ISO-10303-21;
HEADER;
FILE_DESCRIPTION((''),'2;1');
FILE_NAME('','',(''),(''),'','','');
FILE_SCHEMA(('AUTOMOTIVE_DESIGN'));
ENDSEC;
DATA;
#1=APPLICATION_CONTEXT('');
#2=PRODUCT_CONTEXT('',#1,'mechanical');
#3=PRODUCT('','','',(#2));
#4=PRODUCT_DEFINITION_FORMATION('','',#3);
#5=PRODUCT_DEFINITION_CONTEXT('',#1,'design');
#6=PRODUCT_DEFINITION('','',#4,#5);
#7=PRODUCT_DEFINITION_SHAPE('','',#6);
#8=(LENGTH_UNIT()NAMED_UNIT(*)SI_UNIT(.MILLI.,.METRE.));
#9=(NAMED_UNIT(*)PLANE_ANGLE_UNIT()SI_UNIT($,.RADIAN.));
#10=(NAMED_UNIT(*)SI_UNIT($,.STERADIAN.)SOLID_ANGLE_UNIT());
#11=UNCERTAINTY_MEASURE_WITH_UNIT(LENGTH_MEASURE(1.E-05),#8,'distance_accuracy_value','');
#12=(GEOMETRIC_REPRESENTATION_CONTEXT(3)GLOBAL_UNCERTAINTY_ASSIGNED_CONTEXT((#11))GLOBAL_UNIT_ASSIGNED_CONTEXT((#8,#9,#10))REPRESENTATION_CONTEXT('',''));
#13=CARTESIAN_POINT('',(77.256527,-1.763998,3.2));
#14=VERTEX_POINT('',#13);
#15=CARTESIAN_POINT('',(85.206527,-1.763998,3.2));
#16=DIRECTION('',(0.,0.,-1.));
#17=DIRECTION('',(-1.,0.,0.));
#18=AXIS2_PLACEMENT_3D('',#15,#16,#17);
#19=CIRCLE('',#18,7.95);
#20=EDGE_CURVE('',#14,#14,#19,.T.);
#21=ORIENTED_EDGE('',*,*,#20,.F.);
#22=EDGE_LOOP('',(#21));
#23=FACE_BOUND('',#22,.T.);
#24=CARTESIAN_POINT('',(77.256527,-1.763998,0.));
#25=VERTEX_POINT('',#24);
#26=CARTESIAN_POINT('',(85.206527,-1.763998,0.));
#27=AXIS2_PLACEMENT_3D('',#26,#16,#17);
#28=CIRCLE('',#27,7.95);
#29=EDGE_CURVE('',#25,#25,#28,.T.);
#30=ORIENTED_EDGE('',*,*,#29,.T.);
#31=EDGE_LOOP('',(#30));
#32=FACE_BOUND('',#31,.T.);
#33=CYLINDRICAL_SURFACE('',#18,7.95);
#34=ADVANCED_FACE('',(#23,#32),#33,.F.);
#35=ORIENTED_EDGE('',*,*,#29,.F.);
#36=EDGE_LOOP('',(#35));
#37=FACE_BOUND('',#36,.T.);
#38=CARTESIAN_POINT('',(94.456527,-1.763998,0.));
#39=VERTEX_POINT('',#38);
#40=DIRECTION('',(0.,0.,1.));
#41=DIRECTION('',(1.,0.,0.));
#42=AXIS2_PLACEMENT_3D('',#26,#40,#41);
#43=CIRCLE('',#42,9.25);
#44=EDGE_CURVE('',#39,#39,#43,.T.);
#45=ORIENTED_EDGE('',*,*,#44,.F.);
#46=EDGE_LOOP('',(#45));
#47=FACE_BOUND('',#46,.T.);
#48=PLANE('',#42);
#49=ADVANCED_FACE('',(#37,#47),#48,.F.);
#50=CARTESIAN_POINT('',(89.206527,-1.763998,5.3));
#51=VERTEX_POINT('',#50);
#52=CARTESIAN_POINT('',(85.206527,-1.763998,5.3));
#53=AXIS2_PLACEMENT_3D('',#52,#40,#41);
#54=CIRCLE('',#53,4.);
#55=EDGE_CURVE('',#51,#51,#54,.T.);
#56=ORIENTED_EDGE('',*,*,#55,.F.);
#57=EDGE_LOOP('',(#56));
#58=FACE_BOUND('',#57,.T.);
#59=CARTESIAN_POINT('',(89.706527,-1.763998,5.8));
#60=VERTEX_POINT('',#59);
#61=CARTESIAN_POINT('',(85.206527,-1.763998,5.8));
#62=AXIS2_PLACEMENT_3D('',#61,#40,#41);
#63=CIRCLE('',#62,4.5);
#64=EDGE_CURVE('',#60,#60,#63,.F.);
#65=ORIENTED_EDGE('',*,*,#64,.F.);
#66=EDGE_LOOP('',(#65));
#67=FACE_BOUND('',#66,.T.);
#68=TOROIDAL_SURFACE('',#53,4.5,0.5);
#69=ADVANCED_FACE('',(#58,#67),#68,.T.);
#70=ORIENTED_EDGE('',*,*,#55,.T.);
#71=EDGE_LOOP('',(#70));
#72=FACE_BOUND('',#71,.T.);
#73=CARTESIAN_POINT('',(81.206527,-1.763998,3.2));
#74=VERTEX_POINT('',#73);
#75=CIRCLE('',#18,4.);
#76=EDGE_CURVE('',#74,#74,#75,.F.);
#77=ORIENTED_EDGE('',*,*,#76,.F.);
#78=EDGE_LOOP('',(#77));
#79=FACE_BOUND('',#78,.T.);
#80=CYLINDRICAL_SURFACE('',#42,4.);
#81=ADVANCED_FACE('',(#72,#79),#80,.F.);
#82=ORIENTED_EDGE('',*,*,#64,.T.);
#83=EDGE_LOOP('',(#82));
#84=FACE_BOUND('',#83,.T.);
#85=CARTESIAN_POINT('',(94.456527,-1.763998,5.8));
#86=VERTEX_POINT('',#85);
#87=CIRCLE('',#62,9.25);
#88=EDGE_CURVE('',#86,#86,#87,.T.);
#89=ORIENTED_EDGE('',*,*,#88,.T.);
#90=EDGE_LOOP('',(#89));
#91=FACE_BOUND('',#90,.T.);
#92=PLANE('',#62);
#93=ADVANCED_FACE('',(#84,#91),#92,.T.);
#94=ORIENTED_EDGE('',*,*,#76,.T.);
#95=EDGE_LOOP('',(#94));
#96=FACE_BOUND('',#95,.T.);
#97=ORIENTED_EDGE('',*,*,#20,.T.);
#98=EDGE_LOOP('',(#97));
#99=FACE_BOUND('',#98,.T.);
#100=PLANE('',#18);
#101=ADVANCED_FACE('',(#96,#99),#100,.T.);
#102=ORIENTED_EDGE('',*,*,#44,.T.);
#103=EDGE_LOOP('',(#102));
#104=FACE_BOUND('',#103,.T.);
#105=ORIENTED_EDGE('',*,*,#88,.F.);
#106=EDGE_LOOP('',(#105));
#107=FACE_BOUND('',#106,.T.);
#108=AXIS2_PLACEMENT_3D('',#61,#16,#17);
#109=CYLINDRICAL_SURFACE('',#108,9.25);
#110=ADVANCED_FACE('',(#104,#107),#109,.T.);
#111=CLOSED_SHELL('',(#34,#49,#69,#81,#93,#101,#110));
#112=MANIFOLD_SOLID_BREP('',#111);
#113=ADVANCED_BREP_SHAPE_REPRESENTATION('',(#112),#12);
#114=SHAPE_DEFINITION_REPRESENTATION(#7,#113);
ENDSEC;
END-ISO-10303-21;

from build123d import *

# Parameters (mm, degrees)
SKETCH1_R           = 9.25
BOSS_EXTRUDE1_DEPTH = 5.8
SKETCH2_R           = 4
CUT_EXTRUDE1_DEPTH  = 96.273205671
SKETCH3_R           = 7.95
CUT_EXTRUDE2_DEPTH  = 3.2
FILLET1_R           = 0.5


with BuildPart() as part:
    # Sketch1 → Boss-Extrude1 (new body)
    with BuildSketch(Plane.XY):
        with Locations((85.206527413, -1.763997815)):
            Circle(SKETCH1_R)
    extrude(amount=BOSS_EXTRUDE1_DEPTH)

    # Sketch2 → Cut-Extrude1 (cut, through all)
    with BuildSketch(Plane.XY.offset(5.8)):
        with Locations((85.206527413, -1.763997815)):
            Circle(SKETCH2_R)
    extrude(amount=-CUT_EXTRUDE1_DEPTH, mode=Mode.SUBTRACT)

    # Sketch3 → Cut-Extrude2 (cut)
    with BuildSketch(Plane(origin=(0, 0, 0), x_dir=(-1, 0, 0), z_dir=(0, 0, -1))):
        with Locations((-85.206527413, -1.763997815)):
            Circle(SKETCH3_R)
    extrude(amount=-CUT_EXTRUDE2_DEPTH, mode=Mode.SUBTRACT)

    # Fillet1
    fillet1_edges = [part.edges().sort_by_distance(p)[0] for p in [
        (81.206527413, -1.763997815, 5.8),
    ]]
    fillet(fillet1_edges, radius=FILLET1_R)


solid = part.part
